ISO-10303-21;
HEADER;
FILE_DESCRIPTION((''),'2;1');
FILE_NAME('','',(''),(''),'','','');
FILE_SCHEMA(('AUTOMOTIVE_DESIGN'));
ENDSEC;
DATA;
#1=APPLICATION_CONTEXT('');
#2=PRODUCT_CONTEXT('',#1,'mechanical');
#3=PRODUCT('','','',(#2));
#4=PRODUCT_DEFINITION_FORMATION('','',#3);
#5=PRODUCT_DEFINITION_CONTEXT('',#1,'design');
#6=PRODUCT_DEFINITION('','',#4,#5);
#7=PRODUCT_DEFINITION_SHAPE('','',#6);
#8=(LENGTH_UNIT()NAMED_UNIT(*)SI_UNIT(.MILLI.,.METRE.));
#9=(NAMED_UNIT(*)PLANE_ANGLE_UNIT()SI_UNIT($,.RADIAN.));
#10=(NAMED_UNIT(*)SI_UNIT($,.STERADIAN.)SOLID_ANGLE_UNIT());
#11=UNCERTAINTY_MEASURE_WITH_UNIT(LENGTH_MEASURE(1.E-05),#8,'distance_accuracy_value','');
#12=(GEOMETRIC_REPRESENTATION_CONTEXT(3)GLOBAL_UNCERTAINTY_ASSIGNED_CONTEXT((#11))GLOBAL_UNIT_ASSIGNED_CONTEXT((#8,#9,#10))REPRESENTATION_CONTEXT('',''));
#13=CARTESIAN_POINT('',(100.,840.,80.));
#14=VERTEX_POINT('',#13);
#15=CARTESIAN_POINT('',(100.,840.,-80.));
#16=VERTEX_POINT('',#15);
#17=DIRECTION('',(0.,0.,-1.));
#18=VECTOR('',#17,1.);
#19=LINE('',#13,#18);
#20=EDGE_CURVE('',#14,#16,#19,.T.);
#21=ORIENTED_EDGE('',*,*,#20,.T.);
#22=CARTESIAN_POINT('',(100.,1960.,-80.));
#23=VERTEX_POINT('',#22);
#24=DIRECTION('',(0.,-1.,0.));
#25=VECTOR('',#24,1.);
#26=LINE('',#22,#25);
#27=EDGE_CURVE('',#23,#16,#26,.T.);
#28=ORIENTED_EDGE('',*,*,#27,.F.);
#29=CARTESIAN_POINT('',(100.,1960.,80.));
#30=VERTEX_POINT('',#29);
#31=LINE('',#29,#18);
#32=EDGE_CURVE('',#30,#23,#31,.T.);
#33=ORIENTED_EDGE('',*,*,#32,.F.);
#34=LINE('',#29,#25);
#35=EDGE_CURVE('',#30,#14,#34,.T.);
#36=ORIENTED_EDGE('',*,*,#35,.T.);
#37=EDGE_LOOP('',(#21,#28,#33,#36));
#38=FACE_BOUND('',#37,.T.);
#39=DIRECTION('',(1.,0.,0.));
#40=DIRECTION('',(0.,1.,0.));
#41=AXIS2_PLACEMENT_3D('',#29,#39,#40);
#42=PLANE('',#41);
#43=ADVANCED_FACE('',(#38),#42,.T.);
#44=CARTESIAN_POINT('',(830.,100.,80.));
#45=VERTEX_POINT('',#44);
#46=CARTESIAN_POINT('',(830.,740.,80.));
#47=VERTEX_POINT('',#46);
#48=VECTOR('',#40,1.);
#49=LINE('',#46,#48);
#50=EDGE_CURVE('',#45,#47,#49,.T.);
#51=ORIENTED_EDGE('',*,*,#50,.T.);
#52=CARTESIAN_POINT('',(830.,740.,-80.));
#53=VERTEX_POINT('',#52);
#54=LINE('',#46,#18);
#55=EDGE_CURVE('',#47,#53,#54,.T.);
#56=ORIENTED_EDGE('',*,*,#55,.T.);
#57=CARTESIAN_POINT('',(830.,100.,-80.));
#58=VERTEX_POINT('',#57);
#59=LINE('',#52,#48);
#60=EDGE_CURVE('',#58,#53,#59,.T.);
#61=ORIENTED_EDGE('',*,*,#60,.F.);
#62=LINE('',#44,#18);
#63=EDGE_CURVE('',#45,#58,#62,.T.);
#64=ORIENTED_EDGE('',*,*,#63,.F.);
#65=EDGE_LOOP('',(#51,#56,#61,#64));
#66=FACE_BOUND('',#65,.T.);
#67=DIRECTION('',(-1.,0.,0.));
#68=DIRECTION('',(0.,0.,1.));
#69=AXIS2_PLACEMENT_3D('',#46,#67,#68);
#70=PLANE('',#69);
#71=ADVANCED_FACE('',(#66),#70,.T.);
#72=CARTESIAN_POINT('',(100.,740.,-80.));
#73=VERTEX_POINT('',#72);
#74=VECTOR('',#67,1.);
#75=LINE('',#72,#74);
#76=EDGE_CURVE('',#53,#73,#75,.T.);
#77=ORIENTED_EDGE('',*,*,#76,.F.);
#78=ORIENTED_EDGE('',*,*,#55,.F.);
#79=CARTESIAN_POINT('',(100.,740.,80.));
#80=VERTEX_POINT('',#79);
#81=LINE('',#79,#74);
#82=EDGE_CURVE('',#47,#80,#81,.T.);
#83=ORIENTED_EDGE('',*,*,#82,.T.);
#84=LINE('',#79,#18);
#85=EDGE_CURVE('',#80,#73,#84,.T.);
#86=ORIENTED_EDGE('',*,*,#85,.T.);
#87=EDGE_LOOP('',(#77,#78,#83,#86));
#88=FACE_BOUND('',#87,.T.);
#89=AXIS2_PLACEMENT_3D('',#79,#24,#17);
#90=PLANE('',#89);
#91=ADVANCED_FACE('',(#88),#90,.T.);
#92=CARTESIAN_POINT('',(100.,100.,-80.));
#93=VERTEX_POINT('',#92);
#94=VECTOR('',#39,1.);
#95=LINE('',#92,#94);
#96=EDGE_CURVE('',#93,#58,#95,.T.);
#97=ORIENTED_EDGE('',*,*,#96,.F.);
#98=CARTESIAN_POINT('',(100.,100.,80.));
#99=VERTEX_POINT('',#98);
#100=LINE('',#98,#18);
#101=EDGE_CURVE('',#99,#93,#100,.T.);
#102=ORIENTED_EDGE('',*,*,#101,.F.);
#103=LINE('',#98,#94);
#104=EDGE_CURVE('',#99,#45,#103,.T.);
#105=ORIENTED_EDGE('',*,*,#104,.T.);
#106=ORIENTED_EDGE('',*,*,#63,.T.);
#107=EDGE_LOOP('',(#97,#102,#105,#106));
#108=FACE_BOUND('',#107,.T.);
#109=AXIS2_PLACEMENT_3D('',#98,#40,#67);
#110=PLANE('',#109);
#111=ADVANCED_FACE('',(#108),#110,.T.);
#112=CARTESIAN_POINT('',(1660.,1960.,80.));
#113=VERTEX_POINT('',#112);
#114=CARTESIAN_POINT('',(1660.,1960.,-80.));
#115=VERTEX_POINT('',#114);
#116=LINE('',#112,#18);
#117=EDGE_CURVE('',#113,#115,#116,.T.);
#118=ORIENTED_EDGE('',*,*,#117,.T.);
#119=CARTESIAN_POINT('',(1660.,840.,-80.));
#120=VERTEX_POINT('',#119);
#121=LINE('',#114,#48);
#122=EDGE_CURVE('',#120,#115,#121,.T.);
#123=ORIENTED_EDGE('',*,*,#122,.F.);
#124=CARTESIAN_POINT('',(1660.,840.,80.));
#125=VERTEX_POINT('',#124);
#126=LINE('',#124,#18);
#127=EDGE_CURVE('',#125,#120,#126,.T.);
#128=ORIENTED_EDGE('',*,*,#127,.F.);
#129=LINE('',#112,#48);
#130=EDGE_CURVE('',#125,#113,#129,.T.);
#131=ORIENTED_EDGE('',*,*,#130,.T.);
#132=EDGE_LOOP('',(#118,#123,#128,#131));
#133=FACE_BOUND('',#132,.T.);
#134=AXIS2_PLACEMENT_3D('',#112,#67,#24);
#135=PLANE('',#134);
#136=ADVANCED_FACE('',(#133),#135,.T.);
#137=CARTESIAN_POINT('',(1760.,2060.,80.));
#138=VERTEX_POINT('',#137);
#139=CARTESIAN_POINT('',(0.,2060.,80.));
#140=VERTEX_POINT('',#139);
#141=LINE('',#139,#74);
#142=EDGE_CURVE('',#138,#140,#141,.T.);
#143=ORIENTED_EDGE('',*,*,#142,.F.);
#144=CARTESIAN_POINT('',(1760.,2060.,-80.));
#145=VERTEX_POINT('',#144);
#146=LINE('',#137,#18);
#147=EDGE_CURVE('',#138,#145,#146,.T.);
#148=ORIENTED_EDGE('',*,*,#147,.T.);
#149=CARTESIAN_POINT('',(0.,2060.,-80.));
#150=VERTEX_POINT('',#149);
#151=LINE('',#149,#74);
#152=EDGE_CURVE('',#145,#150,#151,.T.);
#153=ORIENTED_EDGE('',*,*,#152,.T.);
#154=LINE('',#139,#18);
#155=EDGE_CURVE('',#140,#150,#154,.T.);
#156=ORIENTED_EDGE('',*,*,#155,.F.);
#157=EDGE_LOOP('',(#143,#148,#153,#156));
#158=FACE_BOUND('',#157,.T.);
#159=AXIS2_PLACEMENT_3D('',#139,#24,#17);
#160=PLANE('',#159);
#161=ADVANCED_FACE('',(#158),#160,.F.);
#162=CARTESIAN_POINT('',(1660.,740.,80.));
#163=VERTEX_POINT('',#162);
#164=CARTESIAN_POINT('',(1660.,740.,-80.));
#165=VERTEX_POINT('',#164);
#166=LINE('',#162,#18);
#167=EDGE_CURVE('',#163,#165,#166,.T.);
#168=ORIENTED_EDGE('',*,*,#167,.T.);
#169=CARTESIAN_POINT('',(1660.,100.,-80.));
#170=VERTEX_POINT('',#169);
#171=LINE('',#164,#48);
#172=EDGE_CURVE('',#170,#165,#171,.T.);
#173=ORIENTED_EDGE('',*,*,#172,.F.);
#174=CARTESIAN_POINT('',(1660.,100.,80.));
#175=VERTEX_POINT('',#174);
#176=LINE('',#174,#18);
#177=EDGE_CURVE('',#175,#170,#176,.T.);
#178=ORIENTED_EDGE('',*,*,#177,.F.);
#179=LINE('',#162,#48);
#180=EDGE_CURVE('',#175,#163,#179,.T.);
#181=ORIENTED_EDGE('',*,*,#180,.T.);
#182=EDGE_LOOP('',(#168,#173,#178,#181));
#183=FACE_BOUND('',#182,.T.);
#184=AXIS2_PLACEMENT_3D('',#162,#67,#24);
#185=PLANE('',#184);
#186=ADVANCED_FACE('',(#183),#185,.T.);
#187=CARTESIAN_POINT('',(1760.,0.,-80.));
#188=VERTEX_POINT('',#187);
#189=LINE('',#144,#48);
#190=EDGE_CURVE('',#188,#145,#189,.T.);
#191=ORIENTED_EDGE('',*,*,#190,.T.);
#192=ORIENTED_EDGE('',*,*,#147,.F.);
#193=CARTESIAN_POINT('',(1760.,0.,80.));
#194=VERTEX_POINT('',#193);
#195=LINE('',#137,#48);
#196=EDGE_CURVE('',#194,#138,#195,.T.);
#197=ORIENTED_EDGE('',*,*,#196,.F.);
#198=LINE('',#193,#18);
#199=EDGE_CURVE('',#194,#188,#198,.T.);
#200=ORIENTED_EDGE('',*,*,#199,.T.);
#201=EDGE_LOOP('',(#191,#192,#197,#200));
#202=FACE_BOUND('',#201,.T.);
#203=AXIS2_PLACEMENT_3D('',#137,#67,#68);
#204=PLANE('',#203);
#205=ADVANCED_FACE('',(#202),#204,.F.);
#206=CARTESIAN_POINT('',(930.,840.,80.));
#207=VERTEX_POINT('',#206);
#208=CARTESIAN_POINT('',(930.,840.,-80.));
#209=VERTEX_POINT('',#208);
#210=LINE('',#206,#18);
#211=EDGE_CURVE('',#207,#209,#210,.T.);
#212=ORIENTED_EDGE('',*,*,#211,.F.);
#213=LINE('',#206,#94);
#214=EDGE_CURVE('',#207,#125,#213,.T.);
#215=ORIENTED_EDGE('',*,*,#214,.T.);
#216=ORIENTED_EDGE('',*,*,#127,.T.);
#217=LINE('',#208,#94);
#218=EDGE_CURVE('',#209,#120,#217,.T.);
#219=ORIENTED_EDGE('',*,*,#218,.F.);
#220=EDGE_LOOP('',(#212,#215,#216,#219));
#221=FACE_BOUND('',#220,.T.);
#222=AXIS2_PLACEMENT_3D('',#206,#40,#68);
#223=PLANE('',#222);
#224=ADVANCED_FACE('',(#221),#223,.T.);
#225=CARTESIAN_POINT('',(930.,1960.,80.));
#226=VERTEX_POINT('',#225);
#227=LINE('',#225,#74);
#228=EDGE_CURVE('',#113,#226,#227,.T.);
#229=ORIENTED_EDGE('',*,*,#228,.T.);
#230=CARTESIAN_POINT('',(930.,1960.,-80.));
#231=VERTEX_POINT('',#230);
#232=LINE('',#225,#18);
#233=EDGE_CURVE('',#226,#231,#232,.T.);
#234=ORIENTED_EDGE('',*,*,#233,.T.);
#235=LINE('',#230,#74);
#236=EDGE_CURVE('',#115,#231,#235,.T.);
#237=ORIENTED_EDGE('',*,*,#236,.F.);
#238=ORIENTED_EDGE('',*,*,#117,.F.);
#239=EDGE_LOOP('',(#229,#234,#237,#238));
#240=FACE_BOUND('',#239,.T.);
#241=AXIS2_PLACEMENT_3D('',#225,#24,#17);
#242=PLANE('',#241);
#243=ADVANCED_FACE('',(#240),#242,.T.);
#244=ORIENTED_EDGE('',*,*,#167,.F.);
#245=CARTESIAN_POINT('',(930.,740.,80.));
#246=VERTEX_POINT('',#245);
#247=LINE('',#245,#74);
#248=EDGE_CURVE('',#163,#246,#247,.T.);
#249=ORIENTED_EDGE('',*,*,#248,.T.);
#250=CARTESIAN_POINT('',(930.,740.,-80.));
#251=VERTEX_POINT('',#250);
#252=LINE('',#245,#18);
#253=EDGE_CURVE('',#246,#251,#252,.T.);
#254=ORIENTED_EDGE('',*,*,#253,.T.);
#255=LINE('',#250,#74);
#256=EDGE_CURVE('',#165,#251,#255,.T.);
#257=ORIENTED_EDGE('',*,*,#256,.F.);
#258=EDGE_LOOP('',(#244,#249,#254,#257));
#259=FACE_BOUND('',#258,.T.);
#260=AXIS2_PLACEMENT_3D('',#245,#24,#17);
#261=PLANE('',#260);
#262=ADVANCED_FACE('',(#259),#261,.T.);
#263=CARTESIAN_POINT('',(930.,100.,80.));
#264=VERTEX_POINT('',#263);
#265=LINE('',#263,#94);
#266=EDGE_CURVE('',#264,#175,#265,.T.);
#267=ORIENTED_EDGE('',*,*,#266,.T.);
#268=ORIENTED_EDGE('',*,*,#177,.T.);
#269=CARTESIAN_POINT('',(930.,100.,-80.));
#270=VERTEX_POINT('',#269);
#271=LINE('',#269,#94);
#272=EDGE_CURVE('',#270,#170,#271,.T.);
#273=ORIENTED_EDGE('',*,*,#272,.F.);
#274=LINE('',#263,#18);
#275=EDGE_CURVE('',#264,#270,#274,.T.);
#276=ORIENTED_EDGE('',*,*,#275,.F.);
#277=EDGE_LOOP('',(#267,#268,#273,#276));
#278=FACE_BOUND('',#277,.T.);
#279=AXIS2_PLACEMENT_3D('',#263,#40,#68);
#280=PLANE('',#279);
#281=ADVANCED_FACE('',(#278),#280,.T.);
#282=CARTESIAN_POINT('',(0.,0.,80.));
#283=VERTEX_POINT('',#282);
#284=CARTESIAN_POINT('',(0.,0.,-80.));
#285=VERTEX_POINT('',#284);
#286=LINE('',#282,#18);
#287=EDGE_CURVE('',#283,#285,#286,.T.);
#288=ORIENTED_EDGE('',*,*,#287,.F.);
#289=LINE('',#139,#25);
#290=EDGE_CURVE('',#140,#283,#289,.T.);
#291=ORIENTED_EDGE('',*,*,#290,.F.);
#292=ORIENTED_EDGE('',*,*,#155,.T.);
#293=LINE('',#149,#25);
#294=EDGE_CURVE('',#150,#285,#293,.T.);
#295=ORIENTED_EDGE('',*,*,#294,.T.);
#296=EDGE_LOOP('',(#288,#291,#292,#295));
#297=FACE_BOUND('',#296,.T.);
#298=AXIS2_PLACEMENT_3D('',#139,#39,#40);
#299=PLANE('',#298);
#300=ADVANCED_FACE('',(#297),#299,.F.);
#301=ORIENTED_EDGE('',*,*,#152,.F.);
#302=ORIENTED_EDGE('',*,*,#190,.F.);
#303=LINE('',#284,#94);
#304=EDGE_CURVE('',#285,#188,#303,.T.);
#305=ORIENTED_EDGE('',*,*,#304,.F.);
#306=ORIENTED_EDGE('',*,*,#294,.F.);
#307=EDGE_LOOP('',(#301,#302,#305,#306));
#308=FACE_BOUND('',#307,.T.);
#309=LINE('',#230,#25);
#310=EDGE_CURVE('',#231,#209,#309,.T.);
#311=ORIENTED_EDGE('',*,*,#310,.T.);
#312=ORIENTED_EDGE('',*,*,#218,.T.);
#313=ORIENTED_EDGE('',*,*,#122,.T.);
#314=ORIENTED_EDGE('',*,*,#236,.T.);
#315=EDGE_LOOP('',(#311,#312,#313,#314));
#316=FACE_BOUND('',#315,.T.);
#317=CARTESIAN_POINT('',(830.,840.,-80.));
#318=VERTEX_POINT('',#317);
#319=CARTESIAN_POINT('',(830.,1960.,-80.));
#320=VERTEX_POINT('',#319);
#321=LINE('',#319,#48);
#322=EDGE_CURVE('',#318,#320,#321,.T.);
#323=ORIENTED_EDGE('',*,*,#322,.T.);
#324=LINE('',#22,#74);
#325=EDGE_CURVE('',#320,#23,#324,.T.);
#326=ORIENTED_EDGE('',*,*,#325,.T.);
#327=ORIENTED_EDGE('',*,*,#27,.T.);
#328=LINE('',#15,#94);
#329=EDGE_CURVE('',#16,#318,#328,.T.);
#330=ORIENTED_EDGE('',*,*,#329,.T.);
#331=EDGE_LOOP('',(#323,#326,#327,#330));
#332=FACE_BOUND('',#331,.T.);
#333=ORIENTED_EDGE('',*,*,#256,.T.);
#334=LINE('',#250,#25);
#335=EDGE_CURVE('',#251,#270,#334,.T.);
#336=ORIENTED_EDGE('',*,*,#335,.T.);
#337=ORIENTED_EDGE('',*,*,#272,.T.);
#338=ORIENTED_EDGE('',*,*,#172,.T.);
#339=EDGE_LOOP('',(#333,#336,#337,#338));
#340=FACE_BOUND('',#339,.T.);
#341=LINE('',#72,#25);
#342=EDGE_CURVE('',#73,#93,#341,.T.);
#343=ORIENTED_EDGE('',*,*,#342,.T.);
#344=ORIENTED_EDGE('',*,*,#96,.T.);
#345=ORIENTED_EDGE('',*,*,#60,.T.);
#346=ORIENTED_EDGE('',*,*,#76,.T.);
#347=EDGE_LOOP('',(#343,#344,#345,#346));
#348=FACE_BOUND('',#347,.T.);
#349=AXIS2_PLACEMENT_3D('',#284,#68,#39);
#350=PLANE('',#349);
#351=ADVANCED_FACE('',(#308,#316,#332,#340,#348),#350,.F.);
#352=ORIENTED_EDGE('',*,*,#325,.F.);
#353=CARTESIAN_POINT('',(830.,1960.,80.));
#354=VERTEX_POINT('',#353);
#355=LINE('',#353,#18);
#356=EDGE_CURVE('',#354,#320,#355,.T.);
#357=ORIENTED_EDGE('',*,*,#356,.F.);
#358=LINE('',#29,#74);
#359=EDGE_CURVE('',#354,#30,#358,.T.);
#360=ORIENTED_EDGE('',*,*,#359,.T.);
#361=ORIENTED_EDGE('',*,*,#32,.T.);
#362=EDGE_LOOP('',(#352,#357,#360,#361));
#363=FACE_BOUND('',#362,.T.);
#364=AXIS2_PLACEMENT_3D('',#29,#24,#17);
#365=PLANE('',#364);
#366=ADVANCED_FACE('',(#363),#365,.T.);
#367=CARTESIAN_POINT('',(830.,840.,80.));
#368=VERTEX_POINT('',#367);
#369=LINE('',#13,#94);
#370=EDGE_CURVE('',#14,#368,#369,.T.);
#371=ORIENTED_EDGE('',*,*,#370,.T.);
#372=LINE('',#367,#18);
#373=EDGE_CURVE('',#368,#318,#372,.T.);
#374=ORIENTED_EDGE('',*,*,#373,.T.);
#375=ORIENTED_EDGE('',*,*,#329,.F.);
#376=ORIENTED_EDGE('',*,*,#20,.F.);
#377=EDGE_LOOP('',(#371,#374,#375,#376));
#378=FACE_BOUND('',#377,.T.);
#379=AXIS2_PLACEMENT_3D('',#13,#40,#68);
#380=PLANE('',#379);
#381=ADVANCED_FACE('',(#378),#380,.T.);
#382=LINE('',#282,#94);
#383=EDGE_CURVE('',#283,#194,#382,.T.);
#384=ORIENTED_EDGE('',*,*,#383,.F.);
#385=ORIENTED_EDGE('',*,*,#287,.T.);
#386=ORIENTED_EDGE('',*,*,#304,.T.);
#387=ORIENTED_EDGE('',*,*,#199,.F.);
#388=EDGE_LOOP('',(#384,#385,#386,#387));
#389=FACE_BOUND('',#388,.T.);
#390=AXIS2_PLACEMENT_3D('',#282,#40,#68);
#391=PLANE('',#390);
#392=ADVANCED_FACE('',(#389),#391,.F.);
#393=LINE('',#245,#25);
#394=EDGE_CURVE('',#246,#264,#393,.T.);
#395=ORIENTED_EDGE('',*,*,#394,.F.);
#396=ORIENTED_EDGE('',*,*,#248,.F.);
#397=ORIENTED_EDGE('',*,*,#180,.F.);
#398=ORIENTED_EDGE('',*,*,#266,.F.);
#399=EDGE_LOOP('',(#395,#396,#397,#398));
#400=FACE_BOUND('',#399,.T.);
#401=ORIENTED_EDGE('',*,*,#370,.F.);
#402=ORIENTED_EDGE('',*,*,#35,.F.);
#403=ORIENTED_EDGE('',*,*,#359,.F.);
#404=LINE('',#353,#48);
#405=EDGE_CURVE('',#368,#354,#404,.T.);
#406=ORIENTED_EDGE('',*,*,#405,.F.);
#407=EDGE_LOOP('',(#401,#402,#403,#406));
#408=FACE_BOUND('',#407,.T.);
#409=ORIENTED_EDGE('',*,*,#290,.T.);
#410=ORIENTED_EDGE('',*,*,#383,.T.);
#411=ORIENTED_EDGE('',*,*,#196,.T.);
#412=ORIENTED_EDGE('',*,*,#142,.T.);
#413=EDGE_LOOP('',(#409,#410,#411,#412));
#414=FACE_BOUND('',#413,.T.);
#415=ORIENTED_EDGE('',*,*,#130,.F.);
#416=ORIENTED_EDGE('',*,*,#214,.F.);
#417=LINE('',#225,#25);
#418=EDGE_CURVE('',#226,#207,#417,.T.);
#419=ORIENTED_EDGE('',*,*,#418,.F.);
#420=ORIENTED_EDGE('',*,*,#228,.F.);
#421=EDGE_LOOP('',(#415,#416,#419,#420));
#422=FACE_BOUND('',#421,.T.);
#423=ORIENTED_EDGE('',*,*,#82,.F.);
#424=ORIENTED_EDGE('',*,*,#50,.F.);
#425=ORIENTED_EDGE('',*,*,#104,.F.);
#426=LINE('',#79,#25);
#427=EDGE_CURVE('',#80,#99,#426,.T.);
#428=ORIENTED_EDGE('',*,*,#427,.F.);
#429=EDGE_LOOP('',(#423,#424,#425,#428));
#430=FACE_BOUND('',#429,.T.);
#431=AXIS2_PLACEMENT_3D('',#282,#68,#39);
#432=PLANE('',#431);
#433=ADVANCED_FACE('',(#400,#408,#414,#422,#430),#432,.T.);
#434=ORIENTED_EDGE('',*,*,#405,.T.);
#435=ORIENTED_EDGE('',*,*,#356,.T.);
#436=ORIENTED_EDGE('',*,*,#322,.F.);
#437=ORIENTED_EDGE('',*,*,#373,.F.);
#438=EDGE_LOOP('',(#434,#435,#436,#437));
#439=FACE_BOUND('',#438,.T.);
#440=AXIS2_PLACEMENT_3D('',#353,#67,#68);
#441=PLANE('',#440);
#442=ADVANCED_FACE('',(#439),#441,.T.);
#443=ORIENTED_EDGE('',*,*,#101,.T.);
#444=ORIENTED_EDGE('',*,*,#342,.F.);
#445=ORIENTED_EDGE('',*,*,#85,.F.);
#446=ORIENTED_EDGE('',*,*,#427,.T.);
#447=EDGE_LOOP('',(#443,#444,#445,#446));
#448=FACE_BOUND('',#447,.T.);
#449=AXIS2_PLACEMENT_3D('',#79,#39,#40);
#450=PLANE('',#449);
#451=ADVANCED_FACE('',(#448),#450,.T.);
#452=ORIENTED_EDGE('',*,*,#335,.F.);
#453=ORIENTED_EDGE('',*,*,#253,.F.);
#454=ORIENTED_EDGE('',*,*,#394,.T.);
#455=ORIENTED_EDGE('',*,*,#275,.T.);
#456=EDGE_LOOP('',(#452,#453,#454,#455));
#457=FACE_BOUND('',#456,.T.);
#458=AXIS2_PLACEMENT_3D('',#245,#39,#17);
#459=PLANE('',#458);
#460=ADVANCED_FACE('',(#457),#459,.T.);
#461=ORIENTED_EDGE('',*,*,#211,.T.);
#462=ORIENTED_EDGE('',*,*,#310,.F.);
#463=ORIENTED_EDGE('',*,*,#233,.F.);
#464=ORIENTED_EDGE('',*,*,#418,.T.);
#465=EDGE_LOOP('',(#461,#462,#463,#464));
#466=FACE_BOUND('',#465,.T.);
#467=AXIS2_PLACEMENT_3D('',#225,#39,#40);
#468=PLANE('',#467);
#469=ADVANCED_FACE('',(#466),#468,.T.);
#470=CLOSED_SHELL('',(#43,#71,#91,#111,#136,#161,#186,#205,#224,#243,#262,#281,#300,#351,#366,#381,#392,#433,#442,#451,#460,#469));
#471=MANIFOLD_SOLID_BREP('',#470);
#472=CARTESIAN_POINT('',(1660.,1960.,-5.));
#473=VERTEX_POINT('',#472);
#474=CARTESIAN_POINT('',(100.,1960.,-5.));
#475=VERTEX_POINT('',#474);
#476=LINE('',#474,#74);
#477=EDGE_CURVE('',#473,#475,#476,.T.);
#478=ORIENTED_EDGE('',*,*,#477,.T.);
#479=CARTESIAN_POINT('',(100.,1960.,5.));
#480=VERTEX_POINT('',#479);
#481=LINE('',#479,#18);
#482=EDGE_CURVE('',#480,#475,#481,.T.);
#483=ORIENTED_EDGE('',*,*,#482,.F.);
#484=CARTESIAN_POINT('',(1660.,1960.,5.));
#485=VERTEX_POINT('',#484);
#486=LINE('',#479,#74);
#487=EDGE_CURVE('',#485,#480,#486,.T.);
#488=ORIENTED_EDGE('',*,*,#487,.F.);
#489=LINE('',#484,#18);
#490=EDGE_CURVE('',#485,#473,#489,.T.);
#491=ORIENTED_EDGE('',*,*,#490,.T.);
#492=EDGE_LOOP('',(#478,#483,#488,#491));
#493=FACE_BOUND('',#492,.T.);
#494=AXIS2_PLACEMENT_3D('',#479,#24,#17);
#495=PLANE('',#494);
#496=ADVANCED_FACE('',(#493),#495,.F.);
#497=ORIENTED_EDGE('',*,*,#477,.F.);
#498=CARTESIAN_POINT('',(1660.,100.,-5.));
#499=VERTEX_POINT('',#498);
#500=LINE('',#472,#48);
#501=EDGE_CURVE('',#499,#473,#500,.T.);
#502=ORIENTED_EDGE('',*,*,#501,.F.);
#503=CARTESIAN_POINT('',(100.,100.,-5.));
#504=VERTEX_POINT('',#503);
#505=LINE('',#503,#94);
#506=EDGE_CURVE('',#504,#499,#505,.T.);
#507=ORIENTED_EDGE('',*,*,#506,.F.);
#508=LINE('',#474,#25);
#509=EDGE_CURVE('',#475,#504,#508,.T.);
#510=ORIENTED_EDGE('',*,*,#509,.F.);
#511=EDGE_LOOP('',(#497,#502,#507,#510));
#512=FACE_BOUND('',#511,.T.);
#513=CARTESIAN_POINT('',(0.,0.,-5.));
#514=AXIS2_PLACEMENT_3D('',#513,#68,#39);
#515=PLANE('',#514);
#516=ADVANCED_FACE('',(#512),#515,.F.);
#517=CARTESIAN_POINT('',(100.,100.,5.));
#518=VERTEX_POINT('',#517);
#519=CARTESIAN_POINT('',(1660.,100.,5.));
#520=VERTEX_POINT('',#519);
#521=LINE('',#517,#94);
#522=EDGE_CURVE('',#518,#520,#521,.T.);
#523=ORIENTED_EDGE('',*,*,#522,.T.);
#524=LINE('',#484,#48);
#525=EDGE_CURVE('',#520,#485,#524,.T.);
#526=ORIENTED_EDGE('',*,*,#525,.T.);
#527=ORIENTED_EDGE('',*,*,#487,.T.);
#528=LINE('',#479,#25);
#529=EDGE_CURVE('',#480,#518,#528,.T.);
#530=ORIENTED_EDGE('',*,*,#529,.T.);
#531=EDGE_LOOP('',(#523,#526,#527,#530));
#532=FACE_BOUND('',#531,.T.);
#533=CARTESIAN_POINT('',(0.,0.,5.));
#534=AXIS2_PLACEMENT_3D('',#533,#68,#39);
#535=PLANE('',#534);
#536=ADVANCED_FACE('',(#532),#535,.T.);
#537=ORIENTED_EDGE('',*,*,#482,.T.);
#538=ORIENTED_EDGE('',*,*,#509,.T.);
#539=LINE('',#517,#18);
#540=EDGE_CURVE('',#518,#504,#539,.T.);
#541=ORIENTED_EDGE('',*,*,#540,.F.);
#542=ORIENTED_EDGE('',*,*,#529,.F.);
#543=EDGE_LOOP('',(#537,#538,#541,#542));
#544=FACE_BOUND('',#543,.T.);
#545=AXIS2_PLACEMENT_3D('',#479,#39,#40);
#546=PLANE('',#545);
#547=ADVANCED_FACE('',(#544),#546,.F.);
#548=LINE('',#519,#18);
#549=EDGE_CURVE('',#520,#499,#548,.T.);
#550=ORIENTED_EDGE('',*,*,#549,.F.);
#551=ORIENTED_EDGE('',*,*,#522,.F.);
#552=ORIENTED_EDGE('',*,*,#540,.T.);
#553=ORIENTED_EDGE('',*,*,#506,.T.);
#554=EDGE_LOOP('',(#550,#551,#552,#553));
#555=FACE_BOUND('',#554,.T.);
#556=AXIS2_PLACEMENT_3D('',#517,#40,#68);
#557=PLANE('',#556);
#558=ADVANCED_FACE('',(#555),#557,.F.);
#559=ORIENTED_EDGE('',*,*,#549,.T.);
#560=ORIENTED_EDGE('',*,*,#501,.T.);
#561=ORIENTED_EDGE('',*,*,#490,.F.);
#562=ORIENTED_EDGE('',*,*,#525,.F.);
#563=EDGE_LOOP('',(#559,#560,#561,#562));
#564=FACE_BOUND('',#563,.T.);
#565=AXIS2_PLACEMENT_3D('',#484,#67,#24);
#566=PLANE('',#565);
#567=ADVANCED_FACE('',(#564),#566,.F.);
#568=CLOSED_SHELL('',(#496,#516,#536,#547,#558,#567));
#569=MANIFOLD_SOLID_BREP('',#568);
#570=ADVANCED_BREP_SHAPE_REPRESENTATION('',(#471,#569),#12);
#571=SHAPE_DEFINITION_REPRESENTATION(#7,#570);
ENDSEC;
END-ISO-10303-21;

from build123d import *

# Parameters (mm, degrees)
SKETCH_1_W      = 1760
SKETCH_1_H      = 2060
SKETCH_1_W_2    = 730
SKETCH_1_H_2    = 1120
SKETCH_1_H_3    = 640
EXTRUDE_1_DEPTH = 80
SKETCH_2_W      = 1560
SKETCH_2_H      = 1860
EXTRUDE_2_DEPTH = 5


with BuildPart() as part:
    # Эскиз1 → Бобышка-Вытянуть1 (new, symmetric)
    with BuildSketch(Plane.XY):
        with Locations((880, 1030)):
            Rectangle(SKETCH_1_W, SKETCH_1_H)
        with Locations((465, 1400)):
            Rectangle(SKETCH_1_W_2, SKETCH_1_H_2, mode=Mode.SUBTRACT)
        with Locations((465, 420)):
            Rectangle(SKETCH_1_W_2, SKETCH_1_H_3, mode=Mode.SUBTRACT)
        with Locations((1295, 1400)):
            Rectangle(SKETCH_1_W_2, SKETCH_1_H_2, mode=Mode.SUBTRACT)
        with Locations((1295, 420)):
            Rectangle(SKETCH_1_W_2, SKETCH_1_H_3, mode=Mode.SUBTRACT)
    extrude(amount=EXTRUDE_1_DEPTH, both=True)


with BuildPart() as body_2:
    # Эскиз2 → Бобышка-Вытянуть2 (new, symmetric)
    with BuildSketch(Plane.XY):
        with Locations((880, 1030)):
            Rectangle(SKETCH_2_W, SKETCH_2_H)
    extrude(amount=EXTRUDE_2_DEPTH, both=True)


solid = Compound([part.part, body_2.part])
